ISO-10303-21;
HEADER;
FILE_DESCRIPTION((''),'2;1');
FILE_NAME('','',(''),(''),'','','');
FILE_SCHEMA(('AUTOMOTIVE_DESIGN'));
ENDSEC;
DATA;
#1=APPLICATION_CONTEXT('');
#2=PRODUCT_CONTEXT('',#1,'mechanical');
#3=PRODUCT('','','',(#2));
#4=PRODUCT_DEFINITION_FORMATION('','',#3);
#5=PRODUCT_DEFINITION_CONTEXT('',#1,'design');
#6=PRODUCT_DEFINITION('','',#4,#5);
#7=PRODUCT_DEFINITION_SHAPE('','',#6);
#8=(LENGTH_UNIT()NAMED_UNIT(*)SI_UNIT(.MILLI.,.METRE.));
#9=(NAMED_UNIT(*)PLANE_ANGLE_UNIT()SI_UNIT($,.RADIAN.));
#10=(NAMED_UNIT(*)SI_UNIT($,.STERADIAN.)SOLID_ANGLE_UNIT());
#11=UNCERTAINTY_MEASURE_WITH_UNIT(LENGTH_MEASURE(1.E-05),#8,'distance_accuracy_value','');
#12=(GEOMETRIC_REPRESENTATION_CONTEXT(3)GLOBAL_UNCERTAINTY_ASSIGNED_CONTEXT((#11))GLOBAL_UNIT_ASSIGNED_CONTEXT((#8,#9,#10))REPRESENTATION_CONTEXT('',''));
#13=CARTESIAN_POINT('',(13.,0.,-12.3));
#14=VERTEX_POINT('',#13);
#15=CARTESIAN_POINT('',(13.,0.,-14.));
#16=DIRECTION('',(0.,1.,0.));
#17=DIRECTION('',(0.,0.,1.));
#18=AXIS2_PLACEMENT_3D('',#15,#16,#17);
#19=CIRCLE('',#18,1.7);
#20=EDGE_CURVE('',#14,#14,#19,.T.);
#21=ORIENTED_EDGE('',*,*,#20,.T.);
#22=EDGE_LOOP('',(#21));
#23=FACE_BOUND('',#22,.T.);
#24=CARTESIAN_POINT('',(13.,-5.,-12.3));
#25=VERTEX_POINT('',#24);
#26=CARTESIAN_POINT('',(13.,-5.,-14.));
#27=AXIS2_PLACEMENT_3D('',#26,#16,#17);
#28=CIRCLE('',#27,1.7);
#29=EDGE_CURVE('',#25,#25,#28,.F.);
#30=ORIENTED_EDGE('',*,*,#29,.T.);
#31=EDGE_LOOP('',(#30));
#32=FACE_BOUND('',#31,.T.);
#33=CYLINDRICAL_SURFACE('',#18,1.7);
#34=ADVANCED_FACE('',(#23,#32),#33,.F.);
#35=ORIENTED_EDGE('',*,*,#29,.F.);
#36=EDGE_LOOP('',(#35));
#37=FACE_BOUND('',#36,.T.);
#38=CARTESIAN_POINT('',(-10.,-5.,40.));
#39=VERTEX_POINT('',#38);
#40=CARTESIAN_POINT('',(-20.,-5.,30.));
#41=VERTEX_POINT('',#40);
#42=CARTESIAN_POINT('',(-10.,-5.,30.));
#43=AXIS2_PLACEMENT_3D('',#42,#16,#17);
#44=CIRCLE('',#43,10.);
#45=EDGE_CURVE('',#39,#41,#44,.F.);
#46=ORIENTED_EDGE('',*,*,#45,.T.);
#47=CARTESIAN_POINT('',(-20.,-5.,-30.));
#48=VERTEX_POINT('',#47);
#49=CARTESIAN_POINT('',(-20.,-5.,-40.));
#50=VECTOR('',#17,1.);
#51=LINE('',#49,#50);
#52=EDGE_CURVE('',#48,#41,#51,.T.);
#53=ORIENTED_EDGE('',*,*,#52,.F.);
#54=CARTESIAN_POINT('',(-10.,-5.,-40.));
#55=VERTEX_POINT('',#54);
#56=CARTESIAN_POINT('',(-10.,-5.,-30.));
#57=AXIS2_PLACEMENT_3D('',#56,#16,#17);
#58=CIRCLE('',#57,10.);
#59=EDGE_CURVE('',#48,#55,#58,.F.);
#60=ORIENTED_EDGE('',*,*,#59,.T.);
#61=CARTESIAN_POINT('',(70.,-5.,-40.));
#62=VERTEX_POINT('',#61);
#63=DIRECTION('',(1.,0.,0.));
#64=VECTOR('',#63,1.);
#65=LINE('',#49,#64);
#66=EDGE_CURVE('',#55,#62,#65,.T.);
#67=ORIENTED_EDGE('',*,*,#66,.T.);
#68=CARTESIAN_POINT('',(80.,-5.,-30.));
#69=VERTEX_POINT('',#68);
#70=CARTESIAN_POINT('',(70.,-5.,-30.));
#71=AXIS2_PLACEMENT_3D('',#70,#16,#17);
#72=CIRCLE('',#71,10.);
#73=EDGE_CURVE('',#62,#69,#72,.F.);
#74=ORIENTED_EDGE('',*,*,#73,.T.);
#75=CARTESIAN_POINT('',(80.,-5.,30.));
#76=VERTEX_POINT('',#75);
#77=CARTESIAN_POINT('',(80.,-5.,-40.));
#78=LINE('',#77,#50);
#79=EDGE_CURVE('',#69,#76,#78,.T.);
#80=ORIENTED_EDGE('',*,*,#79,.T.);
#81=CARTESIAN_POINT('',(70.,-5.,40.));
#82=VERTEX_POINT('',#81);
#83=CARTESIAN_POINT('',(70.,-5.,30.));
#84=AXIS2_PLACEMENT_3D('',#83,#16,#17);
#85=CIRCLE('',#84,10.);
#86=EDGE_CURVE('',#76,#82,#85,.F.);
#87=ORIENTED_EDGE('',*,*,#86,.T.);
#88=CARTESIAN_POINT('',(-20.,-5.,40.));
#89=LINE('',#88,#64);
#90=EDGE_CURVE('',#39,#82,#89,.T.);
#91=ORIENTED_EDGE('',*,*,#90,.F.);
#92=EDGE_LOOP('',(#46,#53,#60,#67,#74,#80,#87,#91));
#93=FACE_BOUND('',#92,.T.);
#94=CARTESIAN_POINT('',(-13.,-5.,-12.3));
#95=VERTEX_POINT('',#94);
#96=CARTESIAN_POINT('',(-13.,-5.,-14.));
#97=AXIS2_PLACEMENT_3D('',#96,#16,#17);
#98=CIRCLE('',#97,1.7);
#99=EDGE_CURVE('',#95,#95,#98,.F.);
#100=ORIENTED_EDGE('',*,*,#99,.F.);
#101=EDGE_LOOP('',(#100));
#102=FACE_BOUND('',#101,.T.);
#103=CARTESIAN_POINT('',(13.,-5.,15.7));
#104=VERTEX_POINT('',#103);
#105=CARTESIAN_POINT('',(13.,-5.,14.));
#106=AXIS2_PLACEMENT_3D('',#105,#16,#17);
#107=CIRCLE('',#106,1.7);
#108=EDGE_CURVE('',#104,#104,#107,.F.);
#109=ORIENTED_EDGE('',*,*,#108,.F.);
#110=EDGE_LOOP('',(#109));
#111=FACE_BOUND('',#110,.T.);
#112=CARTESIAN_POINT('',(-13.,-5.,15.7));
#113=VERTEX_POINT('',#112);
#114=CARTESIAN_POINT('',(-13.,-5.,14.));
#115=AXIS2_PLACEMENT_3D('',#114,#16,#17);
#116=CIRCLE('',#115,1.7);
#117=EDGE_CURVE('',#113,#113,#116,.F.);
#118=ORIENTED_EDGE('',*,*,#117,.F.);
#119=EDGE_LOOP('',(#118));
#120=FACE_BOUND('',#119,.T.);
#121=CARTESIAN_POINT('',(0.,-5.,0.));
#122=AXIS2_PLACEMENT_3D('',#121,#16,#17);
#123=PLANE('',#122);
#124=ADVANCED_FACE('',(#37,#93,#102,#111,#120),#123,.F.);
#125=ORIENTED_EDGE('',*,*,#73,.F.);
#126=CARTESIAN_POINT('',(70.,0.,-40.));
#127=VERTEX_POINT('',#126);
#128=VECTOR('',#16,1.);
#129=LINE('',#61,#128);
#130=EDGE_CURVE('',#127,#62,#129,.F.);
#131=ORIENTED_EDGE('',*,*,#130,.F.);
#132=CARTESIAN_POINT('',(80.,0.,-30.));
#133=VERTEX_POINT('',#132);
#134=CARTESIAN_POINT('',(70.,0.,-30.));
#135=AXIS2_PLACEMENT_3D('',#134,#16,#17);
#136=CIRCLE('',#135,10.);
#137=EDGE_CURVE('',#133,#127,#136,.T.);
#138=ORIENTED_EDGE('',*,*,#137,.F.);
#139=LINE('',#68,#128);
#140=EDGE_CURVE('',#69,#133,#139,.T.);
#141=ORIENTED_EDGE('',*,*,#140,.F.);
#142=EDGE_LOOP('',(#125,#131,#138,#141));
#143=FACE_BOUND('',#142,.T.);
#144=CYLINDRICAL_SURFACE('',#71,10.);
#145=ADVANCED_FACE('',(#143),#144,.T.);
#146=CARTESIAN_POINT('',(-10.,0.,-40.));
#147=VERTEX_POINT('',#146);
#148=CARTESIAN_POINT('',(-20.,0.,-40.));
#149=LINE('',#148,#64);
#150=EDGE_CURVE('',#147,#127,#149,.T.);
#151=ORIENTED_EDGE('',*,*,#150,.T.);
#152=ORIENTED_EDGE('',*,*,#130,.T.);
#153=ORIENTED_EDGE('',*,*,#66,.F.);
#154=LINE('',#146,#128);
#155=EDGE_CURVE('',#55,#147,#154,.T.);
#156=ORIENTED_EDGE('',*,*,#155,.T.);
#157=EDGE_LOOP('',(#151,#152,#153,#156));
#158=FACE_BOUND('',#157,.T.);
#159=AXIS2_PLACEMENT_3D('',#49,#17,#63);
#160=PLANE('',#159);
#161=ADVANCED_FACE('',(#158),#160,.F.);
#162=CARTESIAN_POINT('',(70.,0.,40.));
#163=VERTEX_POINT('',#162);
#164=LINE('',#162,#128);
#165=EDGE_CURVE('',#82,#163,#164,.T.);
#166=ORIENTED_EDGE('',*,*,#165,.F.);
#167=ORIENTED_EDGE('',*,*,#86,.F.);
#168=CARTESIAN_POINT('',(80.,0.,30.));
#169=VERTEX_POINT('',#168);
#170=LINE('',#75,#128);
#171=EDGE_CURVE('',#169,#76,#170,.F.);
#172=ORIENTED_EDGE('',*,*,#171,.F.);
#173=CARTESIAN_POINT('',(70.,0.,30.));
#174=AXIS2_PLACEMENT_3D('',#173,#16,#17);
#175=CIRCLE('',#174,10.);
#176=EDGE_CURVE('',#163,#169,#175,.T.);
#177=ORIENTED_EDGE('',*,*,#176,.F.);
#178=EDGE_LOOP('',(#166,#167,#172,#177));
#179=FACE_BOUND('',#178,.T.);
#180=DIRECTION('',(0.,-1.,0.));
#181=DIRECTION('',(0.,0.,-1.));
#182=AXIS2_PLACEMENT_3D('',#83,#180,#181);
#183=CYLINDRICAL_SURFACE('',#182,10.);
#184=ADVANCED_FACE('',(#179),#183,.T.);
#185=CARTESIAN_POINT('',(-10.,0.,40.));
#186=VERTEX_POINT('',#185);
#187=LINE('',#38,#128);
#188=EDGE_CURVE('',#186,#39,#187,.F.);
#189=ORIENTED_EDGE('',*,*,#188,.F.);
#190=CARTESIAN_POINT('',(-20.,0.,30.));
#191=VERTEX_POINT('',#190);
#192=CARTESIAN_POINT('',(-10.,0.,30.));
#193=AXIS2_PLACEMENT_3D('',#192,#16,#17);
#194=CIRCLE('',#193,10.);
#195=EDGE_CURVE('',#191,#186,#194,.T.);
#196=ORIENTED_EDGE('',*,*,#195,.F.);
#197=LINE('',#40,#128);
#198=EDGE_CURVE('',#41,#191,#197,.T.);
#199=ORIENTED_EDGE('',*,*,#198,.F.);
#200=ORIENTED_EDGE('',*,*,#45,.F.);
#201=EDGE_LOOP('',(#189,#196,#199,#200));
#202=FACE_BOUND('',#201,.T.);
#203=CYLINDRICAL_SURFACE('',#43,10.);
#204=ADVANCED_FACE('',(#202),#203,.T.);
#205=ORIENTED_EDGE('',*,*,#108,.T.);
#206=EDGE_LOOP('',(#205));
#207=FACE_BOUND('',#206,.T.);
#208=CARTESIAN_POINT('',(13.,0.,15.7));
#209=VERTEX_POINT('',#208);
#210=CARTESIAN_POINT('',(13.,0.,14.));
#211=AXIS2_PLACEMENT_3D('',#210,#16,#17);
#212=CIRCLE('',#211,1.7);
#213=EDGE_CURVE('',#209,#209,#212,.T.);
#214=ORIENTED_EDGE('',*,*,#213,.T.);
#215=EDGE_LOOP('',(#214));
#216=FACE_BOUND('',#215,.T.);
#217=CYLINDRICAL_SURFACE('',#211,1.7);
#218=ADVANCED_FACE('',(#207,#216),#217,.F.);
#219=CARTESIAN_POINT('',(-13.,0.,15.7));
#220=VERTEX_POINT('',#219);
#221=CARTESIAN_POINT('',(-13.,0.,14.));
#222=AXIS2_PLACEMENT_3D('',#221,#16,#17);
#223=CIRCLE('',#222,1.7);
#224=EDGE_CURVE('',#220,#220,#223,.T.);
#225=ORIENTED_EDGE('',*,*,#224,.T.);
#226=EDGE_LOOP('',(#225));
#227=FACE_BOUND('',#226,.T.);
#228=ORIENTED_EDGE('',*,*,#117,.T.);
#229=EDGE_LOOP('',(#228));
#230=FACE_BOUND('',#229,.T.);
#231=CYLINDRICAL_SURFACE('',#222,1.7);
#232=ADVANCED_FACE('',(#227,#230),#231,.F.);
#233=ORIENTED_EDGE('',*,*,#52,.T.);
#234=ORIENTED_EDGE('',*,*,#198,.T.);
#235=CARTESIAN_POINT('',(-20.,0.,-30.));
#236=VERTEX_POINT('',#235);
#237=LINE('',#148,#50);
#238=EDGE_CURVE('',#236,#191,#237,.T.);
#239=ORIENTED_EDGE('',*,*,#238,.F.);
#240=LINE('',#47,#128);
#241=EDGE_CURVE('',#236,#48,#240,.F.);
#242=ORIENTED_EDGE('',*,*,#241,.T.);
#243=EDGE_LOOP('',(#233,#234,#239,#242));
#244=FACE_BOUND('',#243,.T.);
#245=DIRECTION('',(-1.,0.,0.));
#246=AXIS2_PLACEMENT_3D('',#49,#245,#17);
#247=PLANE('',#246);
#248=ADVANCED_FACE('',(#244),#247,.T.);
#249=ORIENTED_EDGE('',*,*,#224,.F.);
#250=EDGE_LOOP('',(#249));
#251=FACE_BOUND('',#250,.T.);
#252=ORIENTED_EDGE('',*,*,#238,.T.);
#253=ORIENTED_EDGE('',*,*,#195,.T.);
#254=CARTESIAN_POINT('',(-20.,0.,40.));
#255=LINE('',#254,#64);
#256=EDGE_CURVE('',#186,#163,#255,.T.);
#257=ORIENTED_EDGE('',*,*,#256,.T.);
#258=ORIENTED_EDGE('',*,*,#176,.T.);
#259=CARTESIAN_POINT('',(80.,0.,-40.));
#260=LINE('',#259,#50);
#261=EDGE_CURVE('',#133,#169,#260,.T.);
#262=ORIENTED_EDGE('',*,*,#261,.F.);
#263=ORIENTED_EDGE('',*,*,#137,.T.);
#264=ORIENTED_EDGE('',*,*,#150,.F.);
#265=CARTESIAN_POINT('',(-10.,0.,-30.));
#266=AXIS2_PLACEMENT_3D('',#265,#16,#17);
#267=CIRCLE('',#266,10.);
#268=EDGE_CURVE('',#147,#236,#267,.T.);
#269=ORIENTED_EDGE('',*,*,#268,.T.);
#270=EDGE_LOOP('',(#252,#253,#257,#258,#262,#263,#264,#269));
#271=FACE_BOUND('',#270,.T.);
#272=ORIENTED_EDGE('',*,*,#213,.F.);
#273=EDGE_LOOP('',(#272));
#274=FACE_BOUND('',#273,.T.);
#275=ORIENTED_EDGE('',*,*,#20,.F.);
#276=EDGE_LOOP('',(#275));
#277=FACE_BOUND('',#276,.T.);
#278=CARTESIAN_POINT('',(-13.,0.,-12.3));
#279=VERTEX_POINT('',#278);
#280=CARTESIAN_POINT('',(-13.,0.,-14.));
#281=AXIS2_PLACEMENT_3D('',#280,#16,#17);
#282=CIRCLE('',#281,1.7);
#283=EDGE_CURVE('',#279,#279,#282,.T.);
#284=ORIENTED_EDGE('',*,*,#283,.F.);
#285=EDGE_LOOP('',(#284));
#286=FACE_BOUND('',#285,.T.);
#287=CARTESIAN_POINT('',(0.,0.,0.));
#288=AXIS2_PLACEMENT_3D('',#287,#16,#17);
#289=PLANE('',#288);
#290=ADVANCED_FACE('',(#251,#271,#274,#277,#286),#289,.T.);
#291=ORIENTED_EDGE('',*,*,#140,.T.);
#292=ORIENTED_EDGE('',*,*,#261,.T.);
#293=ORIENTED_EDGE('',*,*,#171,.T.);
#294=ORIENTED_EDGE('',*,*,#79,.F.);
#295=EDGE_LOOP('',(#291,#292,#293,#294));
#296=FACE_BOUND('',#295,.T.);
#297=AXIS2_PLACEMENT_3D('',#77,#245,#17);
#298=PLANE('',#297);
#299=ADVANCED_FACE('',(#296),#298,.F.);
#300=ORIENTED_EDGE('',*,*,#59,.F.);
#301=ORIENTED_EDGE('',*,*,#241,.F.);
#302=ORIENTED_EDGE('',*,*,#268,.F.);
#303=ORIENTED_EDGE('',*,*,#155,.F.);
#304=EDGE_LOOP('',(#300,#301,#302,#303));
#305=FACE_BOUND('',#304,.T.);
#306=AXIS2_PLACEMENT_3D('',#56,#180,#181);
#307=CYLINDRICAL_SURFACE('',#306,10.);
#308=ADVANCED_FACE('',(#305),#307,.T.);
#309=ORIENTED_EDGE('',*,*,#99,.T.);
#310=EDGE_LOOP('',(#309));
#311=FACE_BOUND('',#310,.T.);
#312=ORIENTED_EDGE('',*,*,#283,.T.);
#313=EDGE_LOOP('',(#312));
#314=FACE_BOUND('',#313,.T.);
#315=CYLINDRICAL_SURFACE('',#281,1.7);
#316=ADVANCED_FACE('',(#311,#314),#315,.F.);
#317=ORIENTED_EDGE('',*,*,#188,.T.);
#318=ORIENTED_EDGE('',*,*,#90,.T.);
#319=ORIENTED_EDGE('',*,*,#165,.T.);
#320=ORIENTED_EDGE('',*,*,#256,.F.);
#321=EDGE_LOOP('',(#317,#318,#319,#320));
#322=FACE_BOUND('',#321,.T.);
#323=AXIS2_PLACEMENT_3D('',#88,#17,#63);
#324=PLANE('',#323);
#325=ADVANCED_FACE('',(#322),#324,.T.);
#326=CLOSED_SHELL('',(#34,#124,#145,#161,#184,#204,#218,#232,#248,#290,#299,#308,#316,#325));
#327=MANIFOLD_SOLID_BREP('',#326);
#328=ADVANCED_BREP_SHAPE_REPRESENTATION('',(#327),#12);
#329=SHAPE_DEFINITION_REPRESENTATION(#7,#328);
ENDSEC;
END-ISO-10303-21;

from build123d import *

# Parameters (mm, degrees)
SKETCH1_W            = 100
SKETCH1_H            = 80
BOSS_EXTRUDE1_DEPTH  = 5
M3_CLEARANCE_HOLE1_D = 3.4
FILLET1_R            = 10


with BuildPart() as part:
    # Sketch1 → Boss-Extrude1 (new body)
    with BuildSketch(Plane(origin=(0, 0, 0), x_dir=(1, 0, 0), z_dir=(0, 1, 0))):
        with Locations((30, 0)):
            Rectangle(SKETCH1_W, SKETCH1_H)
    extrude(amount=-BOSS_EXTRUDE1_DEPTH)

    # M3 Clearance Hole1 (through all)
    with Locations(Plane(origin=(-13, 0, -14), x_dir=(0, 0, 1), z_dir=(0, 1, 0))):
        with Locations((0, 0), (0, 26), (28, 26), (28, 0)):
            Hole(M3_CLEARANCE_HOLE1_D / 2)

    # Fillet1
    fillet1_edges = [part.edges().sort_by_distance(p)[0] for p in [
        (-20, -2.5, -40),
        (80, -2.5, -40),
        (80, -2.5, 40),
        (-20, -2.5, 40),
    ]]
    fillet(fillet1_edges, radius=FILLET1_R)


solid = part.part
